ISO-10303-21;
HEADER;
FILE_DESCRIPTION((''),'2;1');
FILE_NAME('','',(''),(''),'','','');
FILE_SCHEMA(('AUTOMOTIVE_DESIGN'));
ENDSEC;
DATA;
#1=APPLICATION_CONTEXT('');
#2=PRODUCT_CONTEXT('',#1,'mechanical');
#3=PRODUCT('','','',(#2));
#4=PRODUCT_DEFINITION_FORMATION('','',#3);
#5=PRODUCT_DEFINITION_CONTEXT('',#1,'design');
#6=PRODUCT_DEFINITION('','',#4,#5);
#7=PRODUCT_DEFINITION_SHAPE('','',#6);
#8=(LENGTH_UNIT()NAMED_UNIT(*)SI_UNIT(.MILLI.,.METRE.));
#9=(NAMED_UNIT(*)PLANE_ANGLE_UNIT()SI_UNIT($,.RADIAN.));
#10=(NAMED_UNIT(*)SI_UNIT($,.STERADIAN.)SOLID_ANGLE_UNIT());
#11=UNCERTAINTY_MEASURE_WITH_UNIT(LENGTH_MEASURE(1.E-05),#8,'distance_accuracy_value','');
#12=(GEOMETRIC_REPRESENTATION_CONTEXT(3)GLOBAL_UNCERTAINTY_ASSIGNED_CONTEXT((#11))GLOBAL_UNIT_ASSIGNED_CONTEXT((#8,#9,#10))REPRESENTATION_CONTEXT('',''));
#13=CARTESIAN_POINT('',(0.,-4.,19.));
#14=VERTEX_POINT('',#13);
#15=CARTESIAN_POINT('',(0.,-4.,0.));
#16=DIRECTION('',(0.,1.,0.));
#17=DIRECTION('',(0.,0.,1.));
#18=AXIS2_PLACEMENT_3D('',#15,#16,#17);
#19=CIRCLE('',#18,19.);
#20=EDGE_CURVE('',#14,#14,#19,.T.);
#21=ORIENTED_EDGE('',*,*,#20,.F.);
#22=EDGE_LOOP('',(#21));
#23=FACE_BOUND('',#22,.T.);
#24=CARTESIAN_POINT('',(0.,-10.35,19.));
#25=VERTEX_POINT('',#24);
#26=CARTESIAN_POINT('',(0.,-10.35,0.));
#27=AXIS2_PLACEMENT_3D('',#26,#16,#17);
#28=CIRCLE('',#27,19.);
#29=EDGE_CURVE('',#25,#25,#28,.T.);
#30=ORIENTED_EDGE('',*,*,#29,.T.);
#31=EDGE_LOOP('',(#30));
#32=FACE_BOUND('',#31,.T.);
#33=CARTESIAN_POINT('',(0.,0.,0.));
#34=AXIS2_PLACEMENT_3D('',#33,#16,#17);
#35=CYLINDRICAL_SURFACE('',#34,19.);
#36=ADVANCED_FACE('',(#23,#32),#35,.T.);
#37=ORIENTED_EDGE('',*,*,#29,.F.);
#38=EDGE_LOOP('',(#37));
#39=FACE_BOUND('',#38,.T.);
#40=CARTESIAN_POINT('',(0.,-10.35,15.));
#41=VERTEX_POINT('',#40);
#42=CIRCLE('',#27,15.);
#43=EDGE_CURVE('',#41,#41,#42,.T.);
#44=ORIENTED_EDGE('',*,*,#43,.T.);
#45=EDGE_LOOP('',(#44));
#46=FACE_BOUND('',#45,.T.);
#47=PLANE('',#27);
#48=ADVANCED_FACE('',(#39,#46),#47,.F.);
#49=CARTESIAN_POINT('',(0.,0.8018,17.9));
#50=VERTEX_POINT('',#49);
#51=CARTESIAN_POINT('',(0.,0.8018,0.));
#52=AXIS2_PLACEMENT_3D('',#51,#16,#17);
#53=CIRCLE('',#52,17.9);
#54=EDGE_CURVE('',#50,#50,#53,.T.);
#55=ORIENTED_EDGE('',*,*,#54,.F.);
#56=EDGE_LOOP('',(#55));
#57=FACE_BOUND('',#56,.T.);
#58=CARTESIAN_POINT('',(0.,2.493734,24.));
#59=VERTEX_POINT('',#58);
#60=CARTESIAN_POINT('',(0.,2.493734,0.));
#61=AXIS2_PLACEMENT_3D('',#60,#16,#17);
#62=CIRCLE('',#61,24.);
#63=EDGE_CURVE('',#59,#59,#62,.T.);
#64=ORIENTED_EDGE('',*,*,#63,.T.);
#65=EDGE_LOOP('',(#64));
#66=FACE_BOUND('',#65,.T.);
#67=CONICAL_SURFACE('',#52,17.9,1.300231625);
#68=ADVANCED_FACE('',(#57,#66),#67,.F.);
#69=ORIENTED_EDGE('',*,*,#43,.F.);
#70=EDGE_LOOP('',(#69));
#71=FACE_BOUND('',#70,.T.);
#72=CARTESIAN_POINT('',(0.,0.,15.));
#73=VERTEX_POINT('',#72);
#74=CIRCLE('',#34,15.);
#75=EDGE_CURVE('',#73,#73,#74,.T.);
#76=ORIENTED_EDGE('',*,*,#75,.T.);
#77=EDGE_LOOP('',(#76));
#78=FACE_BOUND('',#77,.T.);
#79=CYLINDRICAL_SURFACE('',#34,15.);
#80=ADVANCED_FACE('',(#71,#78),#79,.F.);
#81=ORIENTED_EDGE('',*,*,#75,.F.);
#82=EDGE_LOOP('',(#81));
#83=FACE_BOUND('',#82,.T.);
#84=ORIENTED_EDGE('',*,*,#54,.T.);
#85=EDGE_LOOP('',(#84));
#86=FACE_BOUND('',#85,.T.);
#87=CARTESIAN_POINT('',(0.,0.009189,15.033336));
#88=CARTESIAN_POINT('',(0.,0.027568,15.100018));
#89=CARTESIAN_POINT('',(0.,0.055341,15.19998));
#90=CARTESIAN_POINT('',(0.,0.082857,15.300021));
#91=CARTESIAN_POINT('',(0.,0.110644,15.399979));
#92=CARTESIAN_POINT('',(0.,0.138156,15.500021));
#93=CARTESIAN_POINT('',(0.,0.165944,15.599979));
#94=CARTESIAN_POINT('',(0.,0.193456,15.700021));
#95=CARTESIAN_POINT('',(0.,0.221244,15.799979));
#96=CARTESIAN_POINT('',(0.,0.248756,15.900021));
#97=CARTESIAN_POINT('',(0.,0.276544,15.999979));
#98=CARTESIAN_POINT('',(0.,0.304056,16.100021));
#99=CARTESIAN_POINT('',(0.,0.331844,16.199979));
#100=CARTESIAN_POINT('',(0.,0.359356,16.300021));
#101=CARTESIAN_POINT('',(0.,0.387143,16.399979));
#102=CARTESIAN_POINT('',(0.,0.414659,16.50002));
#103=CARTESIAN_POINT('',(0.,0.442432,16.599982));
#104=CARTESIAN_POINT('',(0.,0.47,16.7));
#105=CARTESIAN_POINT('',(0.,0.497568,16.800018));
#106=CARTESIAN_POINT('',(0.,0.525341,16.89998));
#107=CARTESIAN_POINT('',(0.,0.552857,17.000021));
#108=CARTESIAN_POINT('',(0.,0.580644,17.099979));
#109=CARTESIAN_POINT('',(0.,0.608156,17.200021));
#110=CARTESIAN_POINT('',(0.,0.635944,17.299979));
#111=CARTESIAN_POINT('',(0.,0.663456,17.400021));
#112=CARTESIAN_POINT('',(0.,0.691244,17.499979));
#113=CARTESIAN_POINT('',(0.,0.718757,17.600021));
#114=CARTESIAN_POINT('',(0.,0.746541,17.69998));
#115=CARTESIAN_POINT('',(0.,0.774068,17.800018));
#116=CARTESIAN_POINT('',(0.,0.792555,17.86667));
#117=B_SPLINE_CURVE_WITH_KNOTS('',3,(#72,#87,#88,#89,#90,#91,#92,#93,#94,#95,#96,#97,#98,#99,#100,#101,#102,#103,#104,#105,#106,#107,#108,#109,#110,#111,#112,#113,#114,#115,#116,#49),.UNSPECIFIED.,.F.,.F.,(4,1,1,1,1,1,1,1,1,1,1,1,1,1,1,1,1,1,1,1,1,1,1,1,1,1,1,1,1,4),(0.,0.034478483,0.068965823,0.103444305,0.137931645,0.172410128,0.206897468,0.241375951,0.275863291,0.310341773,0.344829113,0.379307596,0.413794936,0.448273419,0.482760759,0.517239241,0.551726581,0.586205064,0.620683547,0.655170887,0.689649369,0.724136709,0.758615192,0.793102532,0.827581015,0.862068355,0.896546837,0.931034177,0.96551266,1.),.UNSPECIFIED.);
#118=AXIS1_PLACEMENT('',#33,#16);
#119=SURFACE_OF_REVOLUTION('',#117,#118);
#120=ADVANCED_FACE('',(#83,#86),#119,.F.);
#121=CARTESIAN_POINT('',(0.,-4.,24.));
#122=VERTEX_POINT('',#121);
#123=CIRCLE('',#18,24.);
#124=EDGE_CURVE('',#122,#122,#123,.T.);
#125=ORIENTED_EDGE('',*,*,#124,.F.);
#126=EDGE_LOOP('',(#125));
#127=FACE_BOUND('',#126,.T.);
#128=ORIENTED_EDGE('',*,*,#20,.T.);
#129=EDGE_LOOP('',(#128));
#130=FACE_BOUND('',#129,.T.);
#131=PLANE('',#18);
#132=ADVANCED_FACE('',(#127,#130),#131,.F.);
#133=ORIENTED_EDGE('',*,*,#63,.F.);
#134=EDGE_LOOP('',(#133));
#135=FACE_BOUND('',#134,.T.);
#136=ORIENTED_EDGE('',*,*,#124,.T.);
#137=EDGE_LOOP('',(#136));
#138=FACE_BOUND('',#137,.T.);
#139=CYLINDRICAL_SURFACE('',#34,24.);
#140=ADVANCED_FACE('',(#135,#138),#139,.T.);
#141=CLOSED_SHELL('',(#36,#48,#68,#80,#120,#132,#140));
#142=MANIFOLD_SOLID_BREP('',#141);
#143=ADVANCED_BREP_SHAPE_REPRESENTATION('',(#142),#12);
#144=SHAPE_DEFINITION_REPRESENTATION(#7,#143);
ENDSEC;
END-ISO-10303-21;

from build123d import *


with BuildPart() as part:
    # Sketch1 → Revolve1 (revolve)
    with BuildSketch(Plane(origin=(0, 0, 0), x_dir=(0, 0, -1), z_dir=(1, 0, 0))):
        with BuildLine():
            Line((-15, 0), (-15, -10.35))
            Line((-15, -10.35), (-19, -10.35))
            Line((-19, -10.35), (-19, -4))
            Line((-19, -4), (-24, -4))
            Line((-24, -4), (-24, 2.493733733))
            Line((-24, 2.493733733), (-17.9, 0.8018))
            add(Edge.make_bspline(
                [(-15, 0), (-15.033336467, 0.009188668), (-15.100017964, 0.027568365), (-15.199979517, 0.055340747), (-15.300021158, 0.082856812), (-15.399978661, 0.110643842), (-15.500021387, 0.138155983), (-15.5999786, 0.165944064), (-15.700021404, 0.193455923), (-15.799978595, 0.22124408), (-15.900021405, 0.24875592), (-15.999978596, 0.276544077), (-16.1000214, 0.304055936), (-16.199978613, 0.331844017), (-16.300021339, 0.359356158), (-16.399978842, 0.387143188), (-16.500020483, 0.414659253), (-16.599982036, 0.442431635), (-16.7, 0.47), (-16.800017964, 0.497568365), (-16.899979517, 0.525340747), (-17.000021158, 0.552856812), (-17.099978661, 0.580643841), (-17.200021386, 0.608155987), (-17.299978604, 0.635944047), (-17.400021386, 0.663455987), (-17.499978661, 0.691243841), (-17.600021158, 0.718756812), (-17.699979517, 0.746540746), (-17.800017964, 0.774068364), (-17.866669801, 0.79255533), (-17.9, 0.8018)],
                knots=[0, 0, 0, 0, 0.034478483, 0.068965823, 0.103444305, 0.137931645, 0.172410128, 0.206897468, 0.241375951, 0.275863291, 0.310341773, 0.344829113, 0.379307596, 0.413794936, 0.448273419, 0.482760759, 0.517239241, 0.551726581, 0.586205064, 0.620683547, 0.655170887, 0.689649369, 0.724136709, 0.758615192, 0.793102532, 0.827581015, 0.862068355, 0.896546837, 0.931034177, 0.96551266, 1, 1, 1, 1], degree=3))
        make_face()
    revolve(axis=Axis((0, 0, 0), (0, -1, 0)))


solid = part.part
